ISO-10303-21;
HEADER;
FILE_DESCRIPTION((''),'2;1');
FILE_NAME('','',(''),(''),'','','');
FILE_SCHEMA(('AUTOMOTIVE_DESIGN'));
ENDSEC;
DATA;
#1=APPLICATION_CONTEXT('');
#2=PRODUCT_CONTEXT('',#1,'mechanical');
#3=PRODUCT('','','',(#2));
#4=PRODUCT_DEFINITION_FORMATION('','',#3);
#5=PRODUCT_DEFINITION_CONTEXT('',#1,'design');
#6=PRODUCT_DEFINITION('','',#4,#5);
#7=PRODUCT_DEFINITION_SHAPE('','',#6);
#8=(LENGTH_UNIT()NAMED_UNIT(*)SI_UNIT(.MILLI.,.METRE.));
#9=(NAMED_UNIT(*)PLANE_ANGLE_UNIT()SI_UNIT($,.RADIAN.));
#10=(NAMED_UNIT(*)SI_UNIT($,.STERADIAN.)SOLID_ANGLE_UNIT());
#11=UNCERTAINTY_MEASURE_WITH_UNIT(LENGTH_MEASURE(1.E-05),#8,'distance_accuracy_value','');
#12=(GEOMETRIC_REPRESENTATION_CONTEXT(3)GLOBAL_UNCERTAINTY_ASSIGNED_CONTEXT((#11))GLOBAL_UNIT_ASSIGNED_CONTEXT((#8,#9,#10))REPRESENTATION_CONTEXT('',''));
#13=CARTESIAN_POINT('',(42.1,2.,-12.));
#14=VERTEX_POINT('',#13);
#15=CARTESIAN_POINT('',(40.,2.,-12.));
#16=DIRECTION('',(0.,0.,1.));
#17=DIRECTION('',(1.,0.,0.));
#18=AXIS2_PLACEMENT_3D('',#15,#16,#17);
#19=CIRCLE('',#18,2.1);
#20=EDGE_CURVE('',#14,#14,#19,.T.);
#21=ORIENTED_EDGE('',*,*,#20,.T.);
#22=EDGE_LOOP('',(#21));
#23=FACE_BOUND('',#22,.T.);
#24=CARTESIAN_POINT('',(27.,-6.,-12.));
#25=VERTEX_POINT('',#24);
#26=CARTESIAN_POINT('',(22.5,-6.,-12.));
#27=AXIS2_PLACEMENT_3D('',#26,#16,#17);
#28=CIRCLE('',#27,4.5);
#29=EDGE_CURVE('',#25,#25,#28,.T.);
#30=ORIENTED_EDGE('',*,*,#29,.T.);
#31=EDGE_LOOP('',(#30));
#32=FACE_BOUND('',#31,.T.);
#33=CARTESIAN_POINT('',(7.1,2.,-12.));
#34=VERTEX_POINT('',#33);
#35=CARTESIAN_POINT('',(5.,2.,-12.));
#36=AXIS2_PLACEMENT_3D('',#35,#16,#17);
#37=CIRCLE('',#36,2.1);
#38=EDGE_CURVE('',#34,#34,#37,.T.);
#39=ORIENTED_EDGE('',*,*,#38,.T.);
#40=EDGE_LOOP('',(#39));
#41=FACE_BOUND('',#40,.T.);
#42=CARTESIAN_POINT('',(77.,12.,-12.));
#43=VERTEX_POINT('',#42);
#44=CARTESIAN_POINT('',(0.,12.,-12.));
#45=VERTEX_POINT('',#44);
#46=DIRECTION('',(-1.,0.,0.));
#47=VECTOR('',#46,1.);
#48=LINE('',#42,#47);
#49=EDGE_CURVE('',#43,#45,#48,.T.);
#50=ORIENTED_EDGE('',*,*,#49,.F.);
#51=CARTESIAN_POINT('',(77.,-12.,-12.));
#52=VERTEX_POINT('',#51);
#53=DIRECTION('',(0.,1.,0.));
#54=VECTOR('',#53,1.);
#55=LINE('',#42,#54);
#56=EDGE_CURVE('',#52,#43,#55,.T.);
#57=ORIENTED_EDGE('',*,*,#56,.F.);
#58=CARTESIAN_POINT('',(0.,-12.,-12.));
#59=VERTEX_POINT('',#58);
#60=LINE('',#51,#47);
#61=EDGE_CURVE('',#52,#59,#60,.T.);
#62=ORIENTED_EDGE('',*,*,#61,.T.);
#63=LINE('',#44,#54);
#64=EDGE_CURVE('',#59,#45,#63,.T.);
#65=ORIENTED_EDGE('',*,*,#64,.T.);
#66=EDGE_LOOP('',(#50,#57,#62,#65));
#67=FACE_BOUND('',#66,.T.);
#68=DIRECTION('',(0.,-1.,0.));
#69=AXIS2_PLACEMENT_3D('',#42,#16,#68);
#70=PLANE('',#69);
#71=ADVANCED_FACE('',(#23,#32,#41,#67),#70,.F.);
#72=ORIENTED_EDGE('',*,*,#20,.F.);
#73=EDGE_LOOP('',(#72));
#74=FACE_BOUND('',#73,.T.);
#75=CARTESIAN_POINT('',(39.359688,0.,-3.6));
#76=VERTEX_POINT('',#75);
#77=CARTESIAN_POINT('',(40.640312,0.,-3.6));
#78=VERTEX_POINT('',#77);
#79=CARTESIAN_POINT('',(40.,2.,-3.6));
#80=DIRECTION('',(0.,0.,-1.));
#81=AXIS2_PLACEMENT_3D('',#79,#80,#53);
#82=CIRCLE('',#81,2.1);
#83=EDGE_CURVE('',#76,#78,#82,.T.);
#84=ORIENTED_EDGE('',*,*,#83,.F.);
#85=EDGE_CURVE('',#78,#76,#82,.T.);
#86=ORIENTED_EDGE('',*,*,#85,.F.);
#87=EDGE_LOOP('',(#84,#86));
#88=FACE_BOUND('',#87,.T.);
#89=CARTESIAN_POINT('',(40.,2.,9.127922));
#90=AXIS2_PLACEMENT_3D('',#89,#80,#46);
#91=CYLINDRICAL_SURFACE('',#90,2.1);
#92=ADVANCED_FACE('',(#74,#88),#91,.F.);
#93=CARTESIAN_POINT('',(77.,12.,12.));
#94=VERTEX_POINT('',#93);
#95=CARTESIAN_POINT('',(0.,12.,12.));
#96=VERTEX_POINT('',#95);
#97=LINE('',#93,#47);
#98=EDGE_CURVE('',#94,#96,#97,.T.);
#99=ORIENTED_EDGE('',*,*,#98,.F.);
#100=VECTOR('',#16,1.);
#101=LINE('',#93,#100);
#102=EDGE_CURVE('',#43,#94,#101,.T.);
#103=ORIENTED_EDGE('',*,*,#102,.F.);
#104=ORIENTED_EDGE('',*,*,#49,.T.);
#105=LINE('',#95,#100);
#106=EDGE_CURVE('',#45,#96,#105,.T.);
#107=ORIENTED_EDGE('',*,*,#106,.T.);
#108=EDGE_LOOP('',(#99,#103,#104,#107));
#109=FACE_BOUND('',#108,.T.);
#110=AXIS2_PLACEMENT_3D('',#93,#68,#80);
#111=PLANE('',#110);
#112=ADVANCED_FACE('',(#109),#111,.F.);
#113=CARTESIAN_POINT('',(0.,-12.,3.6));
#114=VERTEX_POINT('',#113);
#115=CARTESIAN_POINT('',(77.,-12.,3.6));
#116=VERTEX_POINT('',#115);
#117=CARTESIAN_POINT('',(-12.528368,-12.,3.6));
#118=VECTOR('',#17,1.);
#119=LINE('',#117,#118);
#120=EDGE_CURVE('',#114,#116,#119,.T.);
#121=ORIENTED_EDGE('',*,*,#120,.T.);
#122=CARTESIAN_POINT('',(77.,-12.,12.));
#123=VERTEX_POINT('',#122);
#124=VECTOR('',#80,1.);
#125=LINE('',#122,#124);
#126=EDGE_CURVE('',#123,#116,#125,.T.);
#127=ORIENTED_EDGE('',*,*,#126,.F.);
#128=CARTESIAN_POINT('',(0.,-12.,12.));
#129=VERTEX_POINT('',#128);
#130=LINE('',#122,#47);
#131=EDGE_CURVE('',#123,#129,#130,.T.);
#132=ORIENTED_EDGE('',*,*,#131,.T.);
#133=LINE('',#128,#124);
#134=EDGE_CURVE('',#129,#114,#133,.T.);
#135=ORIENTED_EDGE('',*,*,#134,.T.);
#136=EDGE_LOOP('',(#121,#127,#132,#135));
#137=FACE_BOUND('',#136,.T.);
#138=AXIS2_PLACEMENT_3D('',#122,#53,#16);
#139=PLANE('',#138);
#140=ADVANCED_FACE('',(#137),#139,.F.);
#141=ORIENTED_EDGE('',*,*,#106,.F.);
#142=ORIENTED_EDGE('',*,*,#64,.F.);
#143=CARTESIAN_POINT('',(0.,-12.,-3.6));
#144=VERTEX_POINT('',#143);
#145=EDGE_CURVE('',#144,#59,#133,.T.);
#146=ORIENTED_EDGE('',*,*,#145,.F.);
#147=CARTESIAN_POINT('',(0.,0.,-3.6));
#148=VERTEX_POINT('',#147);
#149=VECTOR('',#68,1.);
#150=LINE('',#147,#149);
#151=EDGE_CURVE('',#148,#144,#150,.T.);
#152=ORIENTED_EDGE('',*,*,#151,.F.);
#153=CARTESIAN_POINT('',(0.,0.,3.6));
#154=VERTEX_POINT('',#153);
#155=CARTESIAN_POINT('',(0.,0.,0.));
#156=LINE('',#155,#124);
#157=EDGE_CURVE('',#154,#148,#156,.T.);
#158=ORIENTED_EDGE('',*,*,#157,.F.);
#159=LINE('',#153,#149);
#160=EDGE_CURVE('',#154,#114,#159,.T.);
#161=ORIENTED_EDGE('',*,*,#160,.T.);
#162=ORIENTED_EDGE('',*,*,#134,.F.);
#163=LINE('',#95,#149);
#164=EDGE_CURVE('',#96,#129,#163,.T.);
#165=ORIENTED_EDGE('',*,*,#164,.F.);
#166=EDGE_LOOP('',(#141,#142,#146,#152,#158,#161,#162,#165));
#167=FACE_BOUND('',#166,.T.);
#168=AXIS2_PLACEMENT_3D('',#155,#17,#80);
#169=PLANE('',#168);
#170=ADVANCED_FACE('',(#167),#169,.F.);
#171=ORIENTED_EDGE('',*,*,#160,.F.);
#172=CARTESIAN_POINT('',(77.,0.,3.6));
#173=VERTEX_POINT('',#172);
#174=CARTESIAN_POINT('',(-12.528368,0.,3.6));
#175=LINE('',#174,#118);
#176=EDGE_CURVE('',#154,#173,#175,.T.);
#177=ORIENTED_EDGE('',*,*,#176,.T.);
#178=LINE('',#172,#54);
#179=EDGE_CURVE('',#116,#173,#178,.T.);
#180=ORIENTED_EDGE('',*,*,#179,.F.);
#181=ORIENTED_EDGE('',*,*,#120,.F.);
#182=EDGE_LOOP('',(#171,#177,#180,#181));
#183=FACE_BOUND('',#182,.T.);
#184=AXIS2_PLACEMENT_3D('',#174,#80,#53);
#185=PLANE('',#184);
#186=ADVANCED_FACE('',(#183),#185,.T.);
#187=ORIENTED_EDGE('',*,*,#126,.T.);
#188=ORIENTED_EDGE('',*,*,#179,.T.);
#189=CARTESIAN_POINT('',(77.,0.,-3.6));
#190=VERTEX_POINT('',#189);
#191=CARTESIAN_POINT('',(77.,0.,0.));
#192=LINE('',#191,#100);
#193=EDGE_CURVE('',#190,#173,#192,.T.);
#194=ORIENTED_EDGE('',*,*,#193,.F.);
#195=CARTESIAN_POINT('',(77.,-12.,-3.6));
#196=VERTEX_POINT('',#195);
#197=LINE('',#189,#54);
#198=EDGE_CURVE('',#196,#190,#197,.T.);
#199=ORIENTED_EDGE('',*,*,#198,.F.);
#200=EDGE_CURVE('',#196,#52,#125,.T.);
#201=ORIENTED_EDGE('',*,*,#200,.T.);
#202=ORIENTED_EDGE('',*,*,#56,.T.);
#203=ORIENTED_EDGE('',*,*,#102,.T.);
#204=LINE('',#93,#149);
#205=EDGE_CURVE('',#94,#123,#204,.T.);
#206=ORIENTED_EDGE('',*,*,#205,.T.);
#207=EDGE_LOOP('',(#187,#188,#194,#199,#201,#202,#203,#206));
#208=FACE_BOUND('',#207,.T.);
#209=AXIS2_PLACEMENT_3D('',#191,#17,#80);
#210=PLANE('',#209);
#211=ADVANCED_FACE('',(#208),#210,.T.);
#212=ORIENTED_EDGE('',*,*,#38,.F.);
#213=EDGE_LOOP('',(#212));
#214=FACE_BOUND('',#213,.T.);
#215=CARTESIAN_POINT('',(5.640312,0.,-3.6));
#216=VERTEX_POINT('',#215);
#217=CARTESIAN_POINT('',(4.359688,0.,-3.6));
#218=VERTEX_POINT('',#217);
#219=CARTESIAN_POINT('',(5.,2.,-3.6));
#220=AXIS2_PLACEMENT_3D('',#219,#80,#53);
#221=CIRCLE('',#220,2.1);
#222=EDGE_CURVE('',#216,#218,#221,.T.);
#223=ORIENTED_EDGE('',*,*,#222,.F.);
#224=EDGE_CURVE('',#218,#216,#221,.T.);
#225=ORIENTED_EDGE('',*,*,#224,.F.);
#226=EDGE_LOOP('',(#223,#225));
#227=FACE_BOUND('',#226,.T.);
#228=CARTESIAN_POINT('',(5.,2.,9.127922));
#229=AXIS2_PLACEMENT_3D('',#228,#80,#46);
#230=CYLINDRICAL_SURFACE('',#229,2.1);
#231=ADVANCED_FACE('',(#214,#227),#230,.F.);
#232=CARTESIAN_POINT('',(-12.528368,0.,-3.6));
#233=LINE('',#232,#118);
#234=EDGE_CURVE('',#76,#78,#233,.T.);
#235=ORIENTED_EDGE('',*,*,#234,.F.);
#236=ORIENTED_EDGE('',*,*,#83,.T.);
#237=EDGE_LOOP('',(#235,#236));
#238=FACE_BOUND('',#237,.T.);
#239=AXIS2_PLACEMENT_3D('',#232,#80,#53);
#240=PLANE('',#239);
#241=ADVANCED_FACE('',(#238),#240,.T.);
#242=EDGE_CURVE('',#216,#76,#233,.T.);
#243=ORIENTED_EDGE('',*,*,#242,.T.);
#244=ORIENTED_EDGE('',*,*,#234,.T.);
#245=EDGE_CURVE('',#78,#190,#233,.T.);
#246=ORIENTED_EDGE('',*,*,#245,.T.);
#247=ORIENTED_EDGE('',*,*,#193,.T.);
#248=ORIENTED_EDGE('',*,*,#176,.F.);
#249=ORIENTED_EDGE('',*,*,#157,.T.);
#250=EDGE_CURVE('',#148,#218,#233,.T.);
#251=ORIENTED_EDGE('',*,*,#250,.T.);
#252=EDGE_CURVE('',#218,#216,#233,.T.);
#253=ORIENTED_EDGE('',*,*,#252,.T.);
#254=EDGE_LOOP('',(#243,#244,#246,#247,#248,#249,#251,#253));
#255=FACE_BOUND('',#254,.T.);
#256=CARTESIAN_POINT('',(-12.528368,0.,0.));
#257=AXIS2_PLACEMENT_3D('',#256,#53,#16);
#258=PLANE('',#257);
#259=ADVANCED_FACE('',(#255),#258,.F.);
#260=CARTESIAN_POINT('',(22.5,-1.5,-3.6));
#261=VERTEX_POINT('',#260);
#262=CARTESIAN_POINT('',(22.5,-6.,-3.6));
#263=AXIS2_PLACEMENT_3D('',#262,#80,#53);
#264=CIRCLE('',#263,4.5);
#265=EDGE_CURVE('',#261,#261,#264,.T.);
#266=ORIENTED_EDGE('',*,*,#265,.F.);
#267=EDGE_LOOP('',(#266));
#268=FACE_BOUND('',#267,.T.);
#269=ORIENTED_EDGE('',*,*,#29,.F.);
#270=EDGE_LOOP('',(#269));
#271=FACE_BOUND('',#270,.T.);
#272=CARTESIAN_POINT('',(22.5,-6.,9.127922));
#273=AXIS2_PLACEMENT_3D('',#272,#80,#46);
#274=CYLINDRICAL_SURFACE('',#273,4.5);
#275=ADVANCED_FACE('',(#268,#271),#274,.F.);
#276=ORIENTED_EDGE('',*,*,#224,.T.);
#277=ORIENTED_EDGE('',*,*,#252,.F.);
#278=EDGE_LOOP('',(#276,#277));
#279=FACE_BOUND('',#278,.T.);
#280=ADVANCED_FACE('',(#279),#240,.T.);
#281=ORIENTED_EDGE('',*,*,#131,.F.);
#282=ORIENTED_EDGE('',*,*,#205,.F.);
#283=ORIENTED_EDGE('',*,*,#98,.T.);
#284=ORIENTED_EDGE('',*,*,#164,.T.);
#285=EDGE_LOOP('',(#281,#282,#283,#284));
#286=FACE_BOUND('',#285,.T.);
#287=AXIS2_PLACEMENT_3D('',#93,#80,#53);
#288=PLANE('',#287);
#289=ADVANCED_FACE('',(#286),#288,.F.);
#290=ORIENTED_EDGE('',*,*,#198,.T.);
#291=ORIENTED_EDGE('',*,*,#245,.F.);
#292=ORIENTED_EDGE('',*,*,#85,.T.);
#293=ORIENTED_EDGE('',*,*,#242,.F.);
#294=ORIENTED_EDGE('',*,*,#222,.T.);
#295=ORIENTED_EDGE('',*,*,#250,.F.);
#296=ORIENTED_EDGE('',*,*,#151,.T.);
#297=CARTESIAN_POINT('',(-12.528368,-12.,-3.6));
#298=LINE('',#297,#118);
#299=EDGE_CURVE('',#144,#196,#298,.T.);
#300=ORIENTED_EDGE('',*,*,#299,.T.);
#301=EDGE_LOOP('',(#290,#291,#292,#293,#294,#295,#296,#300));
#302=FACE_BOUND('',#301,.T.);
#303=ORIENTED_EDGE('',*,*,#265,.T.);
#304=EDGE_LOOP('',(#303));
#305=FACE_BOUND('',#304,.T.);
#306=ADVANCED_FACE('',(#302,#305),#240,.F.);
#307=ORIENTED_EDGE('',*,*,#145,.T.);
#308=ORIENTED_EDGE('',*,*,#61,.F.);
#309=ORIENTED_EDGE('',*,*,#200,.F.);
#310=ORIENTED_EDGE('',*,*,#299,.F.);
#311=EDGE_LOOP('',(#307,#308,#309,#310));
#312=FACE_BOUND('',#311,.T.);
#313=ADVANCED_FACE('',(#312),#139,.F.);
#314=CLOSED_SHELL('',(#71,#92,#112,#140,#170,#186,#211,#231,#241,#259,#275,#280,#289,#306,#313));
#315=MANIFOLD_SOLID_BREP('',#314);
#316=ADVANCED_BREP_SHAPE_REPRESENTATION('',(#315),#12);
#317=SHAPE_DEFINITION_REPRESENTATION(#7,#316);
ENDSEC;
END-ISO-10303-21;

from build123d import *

# Parameters (mm, degrees)
SKETCH2_W           = 24
SKETCH2_H           = 24
BOSS_EXTRUDE1_DEPTH = 77
SKETCH3_W           = 3.6
SKETCH3_H           = 12
CUT_EXTRUDE3_DEPTH  = 77
SKETCH4_R           = 2.1
SKETCH4_R_2         = 4.5
CUT_EXTRUDE4_DEPTH  = 8.4


with BuildPart() as part:
    # Sketch2 → Boss-Extrude1 (new body)
    with BuildSketch(Plane(origin=(0, 0, 0), x_dir=(0, 0, -1), z_dir=(1, 0, 0))):
        Rectangle(SKETCH2_W, SKETCH2_H)
    extrude(amount=BOSS_EXTRUDE1_DEPTH)

    # Sketch3 → Cut-Extrude3 (cut)
    with BuildSketch(Plane(origin=(77, 0, 0), x_dir=(0, 0, -1), z_dir=(1, 0, 0))):
        with Locations((1.8, -6)):
            Rectangle(SKETCH3_W, SKETCH3_H)
    cut_extrude3 = extrude(amount=-CUT_EXTRUDE3_DEPTH, mode=Mode.SUBTRACT)

    # Mirror1: Cut-Extrude3 across plane
    add(cut_extrude3.mirror(Plane.XY), mode=Mode.SUBTRACT)

    # Sketch4 → Cut-Extrude4 (cut)
    with BuildSketch(Plane.XY.offset(-12)):
        with Locations(Location((40, 2, 0), (0, 0, 252.247209838))):
            Circle(SKETCH4_R)
        with Locations(Location((22.5, -6, 0), (0, 0, 90))):
            Circle(SKETCH4_R_2)
        with Locations(Location((5, 2, 0), (0, 0, 252.247209838))):
            Circle(SKETCH4_R)
    extrude(amount=CUT_EXTRUDE4_DEPTH, mode=Mode.SUBTRACT)


solid = part.part
